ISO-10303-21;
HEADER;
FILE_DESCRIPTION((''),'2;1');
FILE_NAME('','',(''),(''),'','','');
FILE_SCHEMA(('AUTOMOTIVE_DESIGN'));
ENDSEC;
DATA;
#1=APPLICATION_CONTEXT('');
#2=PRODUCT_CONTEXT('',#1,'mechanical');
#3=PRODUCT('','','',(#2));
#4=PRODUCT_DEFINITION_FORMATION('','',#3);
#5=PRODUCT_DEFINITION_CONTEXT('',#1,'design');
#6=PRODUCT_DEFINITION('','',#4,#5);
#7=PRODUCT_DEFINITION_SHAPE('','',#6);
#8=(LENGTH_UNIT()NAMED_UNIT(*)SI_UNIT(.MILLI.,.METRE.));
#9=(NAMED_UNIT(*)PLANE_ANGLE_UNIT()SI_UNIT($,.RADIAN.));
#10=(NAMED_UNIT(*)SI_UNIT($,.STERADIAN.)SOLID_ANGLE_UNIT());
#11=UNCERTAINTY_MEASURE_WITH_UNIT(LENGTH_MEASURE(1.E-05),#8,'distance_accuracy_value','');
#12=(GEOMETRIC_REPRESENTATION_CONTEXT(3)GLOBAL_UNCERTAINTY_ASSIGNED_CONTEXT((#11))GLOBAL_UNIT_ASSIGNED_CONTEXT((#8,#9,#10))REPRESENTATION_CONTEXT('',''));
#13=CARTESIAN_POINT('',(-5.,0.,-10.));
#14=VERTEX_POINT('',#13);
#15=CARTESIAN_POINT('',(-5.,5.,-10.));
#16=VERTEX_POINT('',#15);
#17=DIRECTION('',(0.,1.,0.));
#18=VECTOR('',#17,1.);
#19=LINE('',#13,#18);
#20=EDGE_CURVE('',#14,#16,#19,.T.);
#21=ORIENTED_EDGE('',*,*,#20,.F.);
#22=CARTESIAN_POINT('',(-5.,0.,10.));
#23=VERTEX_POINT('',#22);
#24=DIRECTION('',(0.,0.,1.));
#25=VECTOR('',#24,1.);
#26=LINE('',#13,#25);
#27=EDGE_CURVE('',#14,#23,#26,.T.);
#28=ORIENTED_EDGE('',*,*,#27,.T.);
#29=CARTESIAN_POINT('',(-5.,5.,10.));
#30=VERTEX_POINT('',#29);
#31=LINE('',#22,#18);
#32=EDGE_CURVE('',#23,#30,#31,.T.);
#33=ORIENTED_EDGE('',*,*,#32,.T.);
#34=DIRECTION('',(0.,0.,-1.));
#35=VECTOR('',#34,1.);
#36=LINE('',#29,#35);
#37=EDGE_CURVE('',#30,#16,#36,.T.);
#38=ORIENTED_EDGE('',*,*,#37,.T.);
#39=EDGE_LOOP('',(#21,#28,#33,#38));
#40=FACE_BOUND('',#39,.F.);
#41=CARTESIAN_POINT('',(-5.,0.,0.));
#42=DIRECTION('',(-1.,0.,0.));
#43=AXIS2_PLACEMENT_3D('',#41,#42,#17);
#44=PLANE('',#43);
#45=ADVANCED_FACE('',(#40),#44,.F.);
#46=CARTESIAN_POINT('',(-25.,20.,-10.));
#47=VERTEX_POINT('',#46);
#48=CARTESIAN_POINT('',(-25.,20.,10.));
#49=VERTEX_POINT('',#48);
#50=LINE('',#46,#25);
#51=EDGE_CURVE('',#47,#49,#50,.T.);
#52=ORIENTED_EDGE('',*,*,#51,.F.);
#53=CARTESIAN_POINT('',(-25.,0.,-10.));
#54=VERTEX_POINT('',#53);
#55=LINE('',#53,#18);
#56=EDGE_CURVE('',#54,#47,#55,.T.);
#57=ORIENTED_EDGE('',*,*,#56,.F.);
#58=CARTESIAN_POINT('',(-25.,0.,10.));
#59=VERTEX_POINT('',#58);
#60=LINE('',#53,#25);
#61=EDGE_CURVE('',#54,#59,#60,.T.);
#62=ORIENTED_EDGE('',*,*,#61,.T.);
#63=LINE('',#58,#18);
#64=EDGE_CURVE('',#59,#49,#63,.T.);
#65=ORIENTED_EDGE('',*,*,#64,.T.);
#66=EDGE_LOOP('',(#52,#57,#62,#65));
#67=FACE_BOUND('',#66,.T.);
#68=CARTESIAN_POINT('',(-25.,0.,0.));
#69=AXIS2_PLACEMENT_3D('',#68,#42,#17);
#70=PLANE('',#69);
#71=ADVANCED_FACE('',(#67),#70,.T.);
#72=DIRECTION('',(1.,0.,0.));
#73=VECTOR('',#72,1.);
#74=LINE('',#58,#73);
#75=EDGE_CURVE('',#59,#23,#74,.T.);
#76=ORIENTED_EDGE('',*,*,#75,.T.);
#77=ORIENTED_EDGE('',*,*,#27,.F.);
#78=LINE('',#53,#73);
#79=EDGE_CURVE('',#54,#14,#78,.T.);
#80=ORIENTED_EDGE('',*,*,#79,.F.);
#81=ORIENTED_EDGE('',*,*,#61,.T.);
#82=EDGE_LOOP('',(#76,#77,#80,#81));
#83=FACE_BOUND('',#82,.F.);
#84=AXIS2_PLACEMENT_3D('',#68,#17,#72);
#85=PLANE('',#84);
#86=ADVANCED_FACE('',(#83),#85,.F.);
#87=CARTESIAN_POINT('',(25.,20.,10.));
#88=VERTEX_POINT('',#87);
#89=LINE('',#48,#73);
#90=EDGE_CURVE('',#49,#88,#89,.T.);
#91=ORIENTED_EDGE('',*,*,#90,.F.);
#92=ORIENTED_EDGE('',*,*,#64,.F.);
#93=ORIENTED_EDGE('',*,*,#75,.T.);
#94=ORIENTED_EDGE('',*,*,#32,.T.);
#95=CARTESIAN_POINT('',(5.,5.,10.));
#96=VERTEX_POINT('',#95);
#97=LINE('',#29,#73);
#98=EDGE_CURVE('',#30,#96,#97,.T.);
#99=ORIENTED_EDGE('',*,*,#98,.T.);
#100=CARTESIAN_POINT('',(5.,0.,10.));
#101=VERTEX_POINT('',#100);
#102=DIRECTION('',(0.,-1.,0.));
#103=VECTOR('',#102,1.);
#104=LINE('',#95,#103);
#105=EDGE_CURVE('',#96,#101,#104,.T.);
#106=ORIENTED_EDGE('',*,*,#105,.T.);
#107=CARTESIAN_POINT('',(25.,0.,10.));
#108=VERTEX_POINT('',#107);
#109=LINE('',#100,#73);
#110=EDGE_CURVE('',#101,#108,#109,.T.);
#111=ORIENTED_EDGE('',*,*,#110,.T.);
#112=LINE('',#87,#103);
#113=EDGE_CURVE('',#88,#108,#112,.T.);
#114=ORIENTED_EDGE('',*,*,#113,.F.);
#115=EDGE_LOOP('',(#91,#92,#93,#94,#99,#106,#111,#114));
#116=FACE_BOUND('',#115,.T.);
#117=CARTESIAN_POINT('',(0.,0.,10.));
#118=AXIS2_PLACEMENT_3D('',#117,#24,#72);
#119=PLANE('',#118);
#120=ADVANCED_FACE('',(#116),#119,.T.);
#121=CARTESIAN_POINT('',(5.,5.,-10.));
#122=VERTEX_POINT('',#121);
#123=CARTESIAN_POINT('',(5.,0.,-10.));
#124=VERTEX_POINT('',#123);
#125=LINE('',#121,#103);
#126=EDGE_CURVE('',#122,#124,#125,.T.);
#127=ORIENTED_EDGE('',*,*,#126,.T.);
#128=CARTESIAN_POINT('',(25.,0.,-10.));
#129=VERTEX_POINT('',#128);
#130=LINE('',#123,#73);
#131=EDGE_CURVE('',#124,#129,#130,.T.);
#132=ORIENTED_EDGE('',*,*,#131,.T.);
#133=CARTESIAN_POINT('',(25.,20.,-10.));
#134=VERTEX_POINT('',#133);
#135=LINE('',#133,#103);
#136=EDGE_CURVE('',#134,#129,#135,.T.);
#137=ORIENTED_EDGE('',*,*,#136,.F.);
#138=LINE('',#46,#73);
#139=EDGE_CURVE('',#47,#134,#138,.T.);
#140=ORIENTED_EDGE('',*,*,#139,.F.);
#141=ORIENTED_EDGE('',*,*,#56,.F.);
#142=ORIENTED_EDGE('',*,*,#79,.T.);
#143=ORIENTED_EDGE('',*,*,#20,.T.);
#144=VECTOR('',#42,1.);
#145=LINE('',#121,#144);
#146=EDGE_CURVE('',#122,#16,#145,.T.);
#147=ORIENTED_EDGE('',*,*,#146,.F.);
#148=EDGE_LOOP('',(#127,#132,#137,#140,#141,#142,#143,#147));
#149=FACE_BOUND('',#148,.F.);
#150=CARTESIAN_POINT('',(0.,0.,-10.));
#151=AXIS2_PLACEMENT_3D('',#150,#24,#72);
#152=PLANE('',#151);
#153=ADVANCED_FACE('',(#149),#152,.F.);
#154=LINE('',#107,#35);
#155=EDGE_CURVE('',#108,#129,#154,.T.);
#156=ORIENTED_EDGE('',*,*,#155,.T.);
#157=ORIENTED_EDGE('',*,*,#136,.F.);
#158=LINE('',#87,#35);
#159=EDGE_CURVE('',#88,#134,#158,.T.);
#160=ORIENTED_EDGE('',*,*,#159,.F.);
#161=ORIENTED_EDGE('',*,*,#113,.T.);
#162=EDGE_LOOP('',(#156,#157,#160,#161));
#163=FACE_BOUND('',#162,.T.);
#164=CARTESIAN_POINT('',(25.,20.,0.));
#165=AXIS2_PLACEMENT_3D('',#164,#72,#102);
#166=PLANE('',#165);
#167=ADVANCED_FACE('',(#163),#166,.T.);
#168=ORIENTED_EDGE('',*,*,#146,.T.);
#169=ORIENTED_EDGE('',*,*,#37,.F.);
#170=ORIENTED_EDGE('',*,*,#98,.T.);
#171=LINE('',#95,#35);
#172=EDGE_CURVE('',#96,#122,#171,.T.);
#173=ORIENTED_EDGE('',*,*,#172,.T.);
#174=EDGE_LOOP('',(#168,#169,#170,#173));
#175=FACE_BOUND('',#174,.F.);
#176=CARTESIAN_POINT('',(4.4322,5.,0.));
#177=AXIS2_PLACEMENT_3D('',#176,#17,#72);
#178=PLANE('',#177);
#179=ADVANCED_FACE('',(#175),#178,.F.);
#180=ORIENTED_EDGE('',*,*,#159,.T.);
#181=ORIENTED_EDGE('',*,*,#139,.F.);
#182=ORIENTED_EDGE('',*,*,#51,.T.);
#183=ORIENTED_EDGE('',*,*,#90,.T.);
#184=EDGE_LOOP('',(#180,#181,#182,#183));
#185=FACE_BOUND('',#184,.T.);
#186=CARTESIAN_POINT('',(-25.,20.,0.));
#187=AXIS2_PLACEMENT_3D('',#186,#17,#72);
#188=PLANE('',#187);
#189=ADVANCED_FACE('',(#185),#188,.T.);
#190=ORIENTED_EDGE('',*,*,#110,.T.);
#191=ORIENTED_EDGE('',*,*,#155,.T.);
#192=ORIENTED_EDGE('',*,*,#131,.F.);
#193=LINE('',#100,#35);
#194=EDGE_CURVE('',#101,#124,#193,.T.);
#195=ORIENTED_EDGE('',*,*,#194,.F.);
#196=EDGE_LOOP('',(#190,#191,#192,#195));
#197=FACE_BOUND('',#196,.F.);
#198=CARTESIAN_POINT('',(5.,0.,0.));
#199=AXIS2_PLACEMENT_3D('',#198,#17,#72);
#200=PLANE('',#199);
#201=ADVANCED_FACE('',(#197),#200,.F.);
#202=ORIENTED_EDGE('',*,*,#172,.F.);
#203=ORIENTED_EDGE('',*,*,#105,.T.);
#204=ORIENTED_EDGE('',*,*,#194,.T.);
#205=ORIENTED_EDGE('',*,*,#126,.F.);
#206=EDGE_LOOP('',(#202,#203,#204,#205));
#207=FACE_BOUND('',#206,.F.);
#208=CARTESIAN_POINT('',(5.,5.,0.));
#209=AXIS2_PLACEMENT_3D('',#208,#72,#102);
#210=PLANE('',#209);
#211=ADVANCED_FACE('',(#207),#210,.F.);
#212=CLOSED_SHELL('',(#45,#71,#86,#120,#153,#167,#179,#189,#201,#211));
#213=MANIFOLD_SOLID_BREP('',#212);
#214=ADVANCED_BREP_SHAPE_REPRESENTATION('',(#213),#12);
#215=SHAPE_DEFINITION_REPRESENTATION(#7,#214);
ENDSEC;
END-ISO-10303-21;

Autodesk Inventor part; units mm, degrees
ref_plane "YZ Plane" through (0, 0, 0) normal (1, 0, 0) x (0, 1, 0)
ref_plane "XZ Plane" through (0, 0, 0) normal (0, 1, 0) x (-1, 0, 0)
ref_plane "XY Plane" through (0, 0, 0) normal (0, 0, 1) x (1, 0, 0)
sketch "Sketch1" plane through (0, 0, 0) normal (0, 0, 1) x (1, 0, 0)
  line L0 (-25, 20) -> (25, 20)
  line L1 (25, 20) -> (25, 0)
  line L2 (-25, 0) -> (-25, 20)
  line L3 (-25, 0) -> (-5, 0)
  line L4 (-5, 0) -> (-5, 5)
  line L5 (-5, 5) -> (5, 5)
  line L6 (5, 5) -> (4.4322, 5)
  line L7 (5, 5) -> (5, 0)
  line L8 (5, 0) -> (25, 0)
  point P0 (0, 0)
  dimension "d0" = 50
  dimension "d1" = 20
  dimension "d3" = 25
  dimension "d4" = 20
  dimension "d5" = 5
  dimension "d6" = 10
  dimension "d7" = 5
  dimension "d8" = 20
extrude "Extrusion1" add sketch "Sketch1" along normal mid plane 20
properties part number "block"
